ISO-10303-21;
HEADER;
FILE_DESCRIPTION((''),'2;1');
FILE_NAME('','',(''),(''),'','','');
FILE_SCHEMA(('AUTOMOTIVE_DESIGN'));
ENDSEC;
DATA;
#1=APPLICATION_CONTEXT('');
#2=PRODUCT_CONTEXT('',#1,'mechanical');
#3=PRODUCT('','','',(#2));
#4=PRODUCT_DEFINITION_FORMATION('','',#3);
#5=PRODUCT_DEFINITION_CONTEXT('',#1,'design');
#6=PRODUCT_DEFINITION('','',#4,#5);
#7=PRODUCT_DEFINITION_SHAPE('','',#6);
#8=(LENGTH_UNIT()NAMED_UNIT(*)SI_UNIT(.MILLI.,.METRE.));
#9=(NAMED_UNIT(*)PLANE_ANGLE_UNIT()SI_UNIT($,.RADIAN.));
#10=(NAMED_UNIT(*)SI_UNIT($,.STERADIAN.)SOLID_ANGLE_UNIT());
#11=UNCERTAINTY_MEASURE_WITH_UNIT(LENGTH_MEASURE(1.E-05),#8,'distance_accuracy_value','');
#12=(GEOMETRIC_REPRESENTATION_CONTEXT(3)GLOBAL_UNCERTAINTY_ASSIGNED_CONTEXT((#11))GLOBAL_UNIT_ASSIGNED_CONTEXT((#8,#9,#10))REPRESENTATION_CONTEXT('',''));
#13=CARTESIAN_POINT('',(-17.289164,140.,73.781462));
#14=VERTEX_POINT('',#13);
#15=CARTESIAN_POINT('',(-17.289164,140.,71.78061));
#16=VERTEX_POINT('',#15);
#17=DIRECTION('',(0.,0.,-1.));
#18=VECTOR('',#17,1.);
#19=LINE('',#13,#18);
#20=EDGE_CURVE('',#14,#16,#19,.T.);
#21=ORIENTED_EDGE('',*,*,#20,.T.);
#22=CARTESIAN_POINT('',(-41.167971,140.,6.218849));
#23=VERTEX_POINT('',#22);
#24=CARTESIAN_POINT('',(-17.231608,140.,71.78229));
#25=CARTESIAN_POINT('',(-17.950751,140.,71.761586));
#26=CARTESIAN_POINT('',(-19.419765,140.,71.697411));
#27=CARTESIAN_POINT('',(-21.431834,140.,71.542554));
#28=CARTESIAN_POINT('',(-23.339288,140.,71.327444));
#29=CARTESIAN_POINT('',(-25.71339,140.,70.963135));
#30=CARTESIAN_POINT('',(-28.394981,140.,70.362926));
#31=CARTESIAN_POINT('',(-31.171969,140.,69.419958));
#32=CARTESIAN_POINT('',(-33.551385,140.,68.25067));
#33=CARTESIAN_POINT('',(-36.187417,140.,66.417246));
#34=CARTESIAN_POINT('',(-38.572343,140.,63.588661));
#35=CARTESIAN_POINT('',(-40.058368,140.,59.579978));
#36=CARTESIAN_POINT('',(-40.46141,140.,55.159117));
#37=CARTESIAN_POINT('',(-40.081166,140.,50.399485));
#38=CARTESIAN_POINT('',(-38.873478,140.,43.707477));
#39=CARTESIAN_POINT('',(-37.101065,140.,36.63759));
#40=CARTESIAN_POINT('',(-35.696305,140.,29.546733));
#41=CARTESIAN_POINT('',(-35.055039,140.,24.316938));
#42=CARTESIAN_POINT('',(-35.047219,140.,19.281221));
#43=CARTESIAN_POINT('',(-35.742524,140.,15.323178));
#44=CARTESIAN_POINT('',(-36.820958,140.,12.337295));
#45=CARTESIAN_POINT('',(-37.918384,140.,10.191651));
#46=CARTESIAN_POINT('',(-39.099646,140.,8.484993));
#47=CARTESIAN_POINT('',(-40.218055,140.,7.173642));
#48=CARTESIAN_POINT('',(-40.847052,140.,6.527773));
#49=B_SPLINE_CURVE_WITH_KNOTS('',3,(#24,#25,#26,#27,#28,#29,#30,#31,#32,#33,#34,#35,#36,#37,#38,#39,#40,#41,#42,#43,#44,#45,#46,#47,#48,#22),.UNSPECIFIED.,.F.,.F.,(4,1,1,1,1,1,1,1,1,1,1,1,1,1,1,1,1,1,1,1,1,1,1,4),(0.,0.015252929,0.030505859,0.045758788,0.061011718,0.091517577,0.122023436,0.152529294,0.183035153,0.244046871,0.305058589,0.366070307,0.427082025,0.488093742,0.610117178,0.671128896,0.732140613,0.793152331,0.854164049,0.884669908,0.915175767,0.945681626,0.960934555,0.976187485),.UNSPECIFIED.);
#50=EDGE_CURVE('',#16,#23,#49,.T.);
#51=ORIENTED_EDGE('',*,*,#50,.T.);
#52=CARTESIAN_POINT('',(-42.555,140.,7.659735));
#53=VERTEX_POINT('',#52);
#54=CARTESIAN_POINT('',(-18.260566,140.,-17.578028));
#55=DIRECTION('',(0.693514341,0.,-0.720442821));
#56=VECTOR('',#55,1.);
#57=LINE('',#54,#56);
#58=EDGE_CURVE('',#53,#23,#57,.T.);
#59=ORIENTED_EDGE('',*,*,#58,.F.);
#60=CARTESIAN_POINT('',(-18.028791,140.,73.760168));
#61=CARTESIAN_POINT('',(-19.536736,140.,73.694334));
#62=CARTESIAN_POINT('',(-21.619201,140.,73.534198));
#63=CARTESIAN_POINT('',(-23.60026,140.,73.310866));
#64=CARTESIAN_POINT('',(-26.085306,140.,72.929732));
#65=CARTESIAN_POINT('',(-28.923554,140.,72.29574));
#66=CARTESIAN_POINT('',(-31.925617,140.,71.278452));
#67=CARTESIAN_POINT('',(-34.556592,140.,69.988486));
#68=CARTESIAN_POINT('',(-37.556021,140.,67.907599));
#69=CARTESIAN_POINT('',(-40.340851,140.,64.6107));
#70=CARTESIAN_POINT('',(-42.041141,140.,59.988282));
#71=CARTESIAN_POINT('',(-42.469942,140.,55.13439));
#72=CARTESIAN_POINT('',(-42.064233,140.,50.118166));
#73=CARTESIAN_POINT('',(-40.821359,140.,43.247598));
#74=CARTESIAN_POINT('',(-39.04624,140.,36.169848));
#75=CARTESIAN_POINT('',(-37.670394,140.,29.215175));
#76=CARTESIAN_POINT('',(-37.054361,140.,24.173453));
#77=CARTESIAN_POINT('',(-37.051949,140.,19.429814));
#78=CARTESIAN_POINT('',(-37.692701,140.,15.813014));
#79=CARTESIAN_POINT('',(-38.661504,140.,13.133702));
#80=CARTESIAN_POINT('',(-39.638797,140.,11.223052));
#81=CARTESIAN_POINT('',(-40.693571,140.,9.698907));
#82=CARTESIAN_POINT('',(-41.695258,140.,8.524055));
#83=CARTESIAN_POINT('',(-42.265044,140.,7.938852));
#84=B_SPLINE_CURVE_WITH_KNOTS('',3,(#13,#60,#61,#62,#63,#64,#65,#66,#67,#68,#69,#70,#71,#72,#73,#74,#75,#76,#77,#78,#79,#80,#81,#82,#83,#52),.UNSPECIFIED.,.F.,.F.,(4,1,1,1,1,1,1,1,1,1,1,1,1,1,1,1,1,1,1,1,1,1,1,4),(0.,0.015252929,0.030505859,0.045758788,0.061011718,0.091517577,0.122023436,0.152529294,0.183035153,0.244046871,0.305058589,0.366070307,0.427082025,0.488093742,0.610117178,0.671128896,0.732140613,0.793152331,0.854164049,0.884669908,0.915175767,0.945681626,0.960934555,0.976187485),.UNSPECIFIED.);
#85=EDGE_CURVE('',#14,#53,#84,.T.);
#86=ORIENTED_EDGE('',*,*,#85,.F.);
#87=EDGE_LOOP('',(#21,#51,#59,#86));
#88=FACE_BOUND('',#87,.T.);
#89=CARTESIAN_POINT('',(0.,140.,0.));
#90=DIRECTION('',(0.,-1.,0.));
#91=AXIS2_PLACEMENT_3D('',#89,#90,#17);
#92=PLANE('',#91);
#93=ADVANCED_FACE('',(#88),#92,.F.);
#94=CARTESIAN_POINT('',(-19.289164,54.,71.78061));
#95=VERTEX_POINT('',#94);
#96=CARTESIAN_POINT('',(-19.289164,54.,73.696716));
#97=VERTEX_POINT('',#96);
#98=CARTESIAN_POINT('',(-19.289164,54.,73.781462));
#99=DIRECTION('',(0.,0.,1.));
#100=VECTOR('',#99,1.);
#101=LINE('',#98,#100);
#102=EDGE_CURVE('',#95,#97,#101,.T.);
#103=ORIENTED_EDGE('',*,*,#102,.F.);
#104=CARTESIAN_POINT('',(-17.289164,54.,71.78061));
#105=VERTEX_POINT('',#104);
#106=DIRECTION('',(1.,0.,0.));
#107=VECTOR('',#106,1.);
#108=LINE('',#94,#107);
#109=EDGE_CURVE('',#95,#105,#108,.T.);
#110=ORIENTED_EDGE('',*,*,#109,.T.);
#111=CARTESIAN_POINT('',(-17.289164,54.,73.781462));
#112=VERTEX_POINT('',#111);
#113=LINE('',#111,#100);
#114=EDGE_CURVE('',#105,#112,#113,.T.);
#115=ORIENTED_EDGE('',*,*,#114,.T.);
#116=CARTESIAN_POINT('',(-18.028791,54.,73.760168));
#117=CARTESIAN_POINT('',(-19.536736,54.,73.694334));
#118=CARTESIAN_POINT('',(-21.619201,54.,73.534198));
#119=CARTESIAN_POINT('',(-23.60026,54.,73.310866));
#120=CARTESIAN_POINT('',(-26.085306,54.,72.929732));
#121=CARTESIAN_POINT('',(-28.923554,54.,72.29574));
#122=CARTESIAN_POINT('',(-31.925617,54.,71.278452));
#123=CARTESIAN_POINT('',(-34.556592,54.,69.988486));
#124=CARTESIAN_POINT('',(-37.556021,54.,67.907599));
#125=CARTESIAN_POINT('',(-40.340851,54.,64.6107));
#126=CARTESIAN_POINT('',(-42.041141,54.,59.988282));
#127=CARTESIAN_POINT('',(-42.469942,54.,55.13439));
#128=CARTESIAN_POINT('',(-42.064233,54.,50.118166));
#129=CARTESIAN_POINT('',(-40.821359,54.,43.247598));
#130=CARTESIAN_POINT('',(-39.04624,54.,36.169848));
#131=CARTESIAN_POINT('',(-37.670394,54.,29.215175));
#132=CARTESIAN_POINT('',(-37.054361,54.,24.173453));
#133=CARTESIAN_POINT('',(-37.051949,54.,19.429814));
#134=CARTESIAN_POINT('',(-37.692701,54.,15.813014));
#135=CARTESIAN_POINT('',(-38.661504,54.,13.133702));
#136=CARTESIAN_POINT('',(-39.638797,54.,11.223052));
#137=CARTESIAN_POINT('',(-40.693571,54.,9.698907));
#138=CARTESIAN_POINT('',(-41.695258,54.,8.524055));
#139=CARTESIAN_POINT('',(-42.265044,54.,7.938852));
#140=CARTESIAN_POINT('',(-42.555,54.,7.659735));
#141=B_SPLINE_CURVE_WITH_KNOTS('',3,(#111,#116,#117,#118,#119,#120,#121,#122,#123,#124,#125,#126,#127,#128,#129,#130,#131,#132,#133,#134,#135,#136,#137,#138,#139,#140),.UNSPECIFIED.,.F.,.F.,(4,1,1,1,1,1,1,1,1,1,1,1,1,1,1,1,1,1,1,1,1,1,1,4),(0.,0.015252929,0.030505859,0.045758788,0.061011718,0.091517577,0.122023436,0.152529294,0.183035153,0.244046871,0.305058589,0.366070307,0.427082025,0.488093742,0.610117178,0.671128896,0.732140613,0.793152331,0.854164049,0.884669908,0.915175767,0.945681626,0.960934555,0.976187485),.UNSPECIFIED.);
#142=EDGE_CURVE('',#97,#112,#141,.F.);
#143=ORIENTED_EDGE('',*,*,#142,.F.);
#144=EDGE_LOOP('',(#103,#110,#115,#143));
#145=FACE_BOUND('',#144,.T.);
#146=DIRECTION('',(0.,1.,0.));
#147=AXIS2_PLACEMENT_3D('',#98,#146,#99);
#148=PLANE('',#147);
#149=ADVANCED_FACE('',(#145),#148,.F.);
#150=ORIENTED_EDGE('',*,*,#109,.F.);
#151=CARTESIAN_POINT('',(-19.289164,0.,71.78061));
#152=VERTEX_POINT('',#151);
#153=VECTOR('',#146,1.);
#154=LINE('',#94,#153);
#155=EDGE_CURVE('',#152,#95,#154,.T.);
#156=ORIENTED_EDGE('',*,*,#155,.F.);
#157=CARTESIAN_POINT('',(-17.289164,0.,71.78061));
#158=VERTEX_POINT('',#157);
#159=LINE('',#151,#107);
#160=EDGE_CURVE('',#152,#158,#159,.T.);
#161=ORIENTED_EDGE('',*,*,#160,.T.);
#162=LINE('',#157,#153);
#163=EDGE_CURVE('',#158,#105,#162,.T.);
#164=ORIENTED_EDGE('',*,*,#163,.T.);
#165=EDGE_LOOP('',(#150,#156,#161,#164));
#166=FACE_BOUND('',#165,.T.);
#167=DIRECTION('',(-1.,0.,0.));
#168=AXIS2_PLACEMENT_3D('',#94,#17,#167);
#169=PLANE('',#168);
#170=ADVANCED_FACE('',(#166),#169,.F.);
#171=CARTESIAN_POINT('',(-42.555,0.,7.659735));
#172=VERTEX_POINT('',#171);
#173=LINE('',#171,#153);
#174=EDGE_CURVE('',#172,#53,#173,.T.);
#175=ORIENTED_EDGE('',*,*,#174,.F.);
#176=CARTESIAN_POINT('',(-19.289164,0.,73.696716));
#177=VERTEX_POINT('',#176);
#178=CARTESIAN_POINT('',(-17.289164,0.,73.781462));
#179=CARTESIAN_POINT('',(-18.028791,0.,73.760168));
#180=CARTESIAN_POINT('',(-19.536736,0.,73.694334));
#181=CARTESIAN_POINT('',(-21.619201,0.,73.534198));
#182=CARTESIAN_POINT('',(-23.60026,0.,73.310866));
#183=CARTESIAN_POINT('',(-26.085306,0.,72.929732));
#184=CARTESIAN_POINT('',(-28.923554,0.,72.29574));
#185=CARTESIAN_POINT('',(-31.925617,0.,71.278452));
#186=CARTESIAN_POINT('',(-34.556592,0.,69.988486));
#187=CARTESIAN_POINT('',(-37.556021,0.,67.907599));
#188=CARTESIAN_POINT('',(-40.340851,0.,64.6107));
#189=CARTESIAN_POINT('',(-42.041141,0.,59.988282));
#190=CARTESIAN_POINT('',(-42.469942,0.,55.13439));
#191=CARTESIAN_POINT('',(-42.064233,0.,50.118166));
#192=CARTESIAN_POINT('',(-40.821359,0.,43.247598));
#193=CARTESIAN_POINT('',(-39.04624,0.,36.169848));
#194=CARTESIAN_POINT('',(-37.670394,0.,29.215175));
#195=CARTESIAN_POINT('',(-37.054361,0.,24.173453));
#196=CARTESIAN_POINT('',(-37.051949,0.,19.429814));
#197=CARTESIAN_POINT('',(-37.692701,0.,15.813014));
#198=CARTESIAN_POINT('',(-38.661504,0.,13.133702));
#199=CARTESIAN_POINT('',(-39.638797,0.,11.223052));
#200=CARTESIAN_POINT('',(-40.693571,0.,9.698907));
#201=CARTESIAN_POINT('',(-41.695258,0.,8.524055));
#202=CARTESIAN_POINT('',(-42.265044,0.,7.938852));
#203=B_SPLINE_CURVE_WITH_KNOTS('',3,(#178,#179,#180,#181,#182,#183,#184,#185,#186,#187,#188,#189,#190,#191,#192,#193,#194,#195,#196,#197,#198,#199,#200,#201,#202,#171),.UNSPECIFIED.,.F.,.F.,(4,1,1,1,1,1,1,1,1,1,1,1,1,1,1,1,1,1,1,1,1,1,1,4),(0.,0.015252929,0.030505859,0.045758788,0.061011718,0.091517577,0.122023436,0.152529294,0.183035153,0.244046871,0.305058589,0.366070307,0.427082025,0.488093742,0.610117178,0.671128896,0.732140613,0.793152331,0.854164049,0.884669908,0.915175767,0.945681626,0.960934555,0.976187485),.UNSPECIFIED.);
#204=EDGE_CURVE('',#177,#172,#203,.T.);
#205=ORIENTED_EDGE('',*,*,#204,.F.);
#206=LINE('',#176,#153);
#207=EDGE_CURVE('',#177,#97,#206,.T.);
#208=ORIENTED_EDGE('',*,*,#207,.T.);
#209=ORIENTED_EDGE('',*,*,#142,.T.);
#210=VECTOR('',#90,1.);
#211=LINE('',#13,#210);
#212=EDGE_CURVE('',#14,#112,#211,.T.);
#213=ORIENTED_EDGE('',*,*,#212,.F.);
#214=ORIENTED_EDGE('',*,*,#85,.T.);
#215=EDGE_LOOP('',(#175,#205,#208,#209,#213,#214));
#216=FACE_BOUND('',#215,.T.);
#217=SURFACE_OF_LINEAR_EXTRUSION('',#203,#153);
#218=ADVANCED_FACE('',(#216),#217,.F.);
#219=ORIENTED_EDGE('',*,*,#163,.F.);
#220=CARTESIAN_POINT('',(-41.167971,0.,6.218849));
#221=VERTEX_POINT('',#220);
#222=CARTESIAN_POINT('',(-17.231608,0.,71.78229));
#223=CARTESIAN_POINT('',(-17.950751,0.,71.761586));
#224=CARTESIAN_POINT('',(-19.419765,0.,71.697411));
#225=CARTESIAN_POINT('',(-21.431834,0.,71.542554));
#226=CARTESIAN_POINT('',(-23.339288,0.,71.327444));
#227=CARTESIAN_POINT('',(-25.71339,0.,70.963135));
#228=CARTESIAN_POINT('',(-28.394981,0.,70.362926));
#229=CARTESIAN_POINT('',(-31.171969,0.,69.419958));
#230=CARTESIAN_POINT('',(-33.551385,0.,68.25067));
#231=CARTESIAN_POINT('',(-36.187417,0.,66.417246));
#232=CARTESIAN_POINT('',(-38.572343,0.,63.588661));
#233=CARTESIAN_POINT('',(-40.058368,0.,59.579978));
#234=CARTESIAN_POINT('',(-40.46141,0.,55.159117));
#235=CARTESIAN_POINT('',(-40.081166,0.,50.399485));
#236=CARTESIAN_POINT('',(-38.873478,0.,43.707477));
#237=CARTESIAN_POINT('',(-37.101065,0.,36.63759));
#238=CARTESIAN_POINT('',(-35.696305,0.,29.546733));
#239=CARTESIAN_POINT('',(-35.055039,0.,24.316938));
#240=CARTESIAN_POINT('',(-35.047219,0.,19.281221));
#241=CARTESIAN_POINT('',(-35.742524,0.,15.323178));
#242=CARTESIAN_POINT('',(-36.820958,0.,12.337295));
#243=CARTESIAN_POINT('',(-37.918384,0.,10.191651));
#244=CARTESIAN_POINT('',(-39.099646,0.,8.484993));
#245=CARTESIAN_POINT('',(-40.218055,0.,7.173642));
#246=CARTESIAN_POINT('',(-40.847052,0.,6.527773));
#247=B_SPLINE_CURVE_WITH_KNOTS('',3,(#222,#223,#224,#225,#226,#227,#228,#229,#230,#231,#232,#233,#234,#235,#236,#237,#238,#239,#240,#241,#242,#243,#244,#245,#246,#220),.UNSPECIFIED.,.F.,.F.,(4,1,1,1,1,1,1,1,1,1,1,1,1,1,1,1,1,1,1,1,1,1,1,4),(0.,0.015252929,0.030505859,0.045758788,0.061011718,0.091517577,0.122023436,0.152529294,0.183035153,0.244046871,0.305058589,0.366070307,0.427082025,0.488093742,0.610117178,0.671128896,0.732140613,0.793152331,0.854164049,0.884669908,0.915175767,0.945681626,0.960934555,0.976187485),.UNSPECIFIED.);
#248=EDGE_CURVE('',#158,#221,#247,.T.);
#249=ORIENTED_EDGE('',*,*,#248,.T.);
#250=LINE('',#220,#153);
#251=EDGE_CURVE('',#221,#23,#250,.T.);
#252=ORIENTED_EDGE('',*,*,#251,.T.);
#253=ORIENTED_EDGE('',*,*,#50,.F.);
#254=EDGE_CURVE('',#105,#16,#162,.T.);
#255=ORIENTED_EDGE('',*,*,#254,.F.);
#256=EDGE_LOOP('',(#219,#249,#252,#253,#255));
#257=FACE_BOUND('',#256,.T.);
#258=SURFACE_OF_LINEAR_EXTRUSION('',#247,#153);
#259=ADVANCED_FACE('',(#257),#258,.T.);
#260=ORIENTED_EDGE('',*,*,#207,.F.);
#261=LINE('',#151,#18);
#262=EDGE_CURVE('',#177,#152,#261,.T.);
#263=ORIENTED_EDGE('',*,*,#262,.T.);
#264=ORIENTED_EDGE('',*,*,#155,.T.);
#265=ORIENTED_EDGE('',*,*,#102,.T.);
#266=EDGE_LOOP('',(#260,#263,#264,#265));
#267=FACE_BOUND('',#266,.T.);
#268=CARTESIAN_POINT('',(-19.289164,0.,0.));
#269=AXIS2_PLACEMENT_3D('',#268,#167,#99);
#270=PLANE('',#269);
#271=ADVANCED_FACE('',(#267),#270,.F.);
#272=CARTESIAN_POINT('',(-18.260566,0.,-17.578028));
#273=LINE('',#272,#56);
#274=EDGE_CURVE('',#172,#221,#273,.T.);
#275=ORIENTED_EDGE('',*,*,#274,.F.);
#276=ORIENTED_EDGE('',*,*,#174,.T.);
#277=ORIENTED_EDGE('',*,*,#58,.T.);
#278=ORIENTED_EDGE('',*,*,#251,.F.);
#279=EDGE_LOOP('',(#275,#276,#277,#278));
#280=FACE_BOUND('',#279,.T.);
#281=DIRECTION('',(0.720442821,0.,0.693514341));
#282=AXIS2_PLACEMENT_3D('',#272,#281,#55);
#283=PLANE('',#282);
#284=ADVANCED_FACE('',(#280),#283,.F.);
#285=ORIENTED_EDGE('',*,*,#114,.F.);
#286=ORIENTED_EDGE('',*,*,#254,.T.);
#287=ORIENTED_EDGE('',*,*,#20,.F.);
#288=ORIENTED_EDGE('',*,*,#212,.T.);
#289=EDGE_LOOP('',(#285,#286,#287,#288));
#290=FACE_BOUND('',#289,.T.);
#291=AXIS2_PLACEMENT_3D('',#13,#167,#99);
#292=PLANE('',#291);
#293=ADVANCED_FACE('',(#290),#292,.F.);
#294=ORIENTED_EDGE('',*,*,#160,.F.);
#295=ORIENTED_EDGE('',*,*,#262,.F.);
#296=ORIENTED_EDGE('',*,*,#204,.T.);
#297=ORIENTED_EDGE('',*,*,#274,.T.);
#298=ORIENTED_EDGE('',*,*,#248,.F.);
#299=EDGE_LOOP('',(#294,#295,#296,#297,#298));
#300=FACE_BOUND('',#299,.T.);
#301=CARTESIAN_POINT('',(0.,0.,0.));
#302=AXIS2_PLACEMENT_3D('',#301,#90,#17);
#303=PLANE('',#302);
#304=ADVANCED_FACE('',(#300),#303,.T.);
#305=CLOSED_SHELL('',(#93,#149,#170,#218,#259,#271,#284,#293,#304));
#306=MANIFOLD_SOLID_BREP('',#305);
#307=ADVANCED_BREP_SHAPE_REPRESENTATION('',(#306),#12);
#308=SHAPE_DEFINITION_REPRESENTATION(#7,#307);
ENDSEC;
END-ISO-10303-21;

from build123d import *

# Parameters (mm, degrees)
CROQUIS1_W              = 30
CROQUIS1_H              = 80
SALIENTE_EXTRUIR1_DEPTH = 140
CORTAR_EXTRUIR1_DEPTH   = 141
CROQUIS3_W              = 2.000851936
CROQUIS3_H              = 54
CORTAR_EXTRUIR2_DEPTH   = 2


with BuildPart() as part:
    # Croquis1 → Saliente-Extruir1 (new body)
    with BuildSketch(Plane(origin=(0, 0, 0), x_dir=(1, 0, 0), z_dir=(0, 1, 0))):
        with Locations((-32.289164152, -33.781461754)):
            Rectangle(CROQUIS1_W, CROQUIS1_H)
    extrude(amount=SALIENTE_EXTRUIR1_DEPTH)

    # Croquis2 → Cortar-Extruir1 (cut, through all)
    with BuildSketch(Plane(origin=(0, 140, 0), x_dir=(1, 0, 0), z_dir=(0, 1, 0))):
        with BuildLine():
            Line((-47.289164152, -73.781461754), (-17.289164152, -73.781461754))
            add(Edge.make_bspline(
                [(-17.289164152, -73.781461754), (-18.028790745, -73.760167812), (-19.536736039, -73.694334347), (-21.619201378, -73.534198465), (-23.60026042, -73.310865821), (-26.085305832, -72.929731587), (-28.923554013, -72.295740091), (-31.925616811, -71.278451947), (-34.556591531, -69.988486168), (-37.556020515, -67.907598696), (-40.340850878, -64.61069966), (-42.041141092, -59.98828157), (-42.46994198, -55.1343895), (-42.064232899, -50.118165725), (-40.821359448, -43.247598034), (-39.046239792, -36.169847805), (-37.670394081, -29.215175232), (-37.054360796, -24.173452889), (-37.05194859, -19.429814206), (-37.692700661, -15.813013959), (-38.661503867, -13.133702332), (-39.638797415, -11.223052021), (-40.693571404, -9.698906715), (-41.695258282, -8.524055184), (-42.26504447, -7.938852239), (-42.554999929, -7.659734641)],
                knots=[0, 0, 0, 0, 0.015252929, 0.030505859, 0.045758788, 0.061011718, 0.091517577, 0.122023436, 0.152529294, 0.183035153, 0.244046871, 0.305058589, 0.366070307, 0.427082025, 0.488093742, 0.610117178, 0.671128896, 0.732140613, 0.793152331, 0.854164049, 0.884669908, 0.915175767, 0.945681626, 0.960934555, 0.976187485, 0.976187485, 0.976187485, 0.976187485], degree=3))
            Line((-42.554999929, -7.659734641), (-41.167971247, -6.218848999))
            add(Edge.make_bspline(
                [(-17.289164149, -71.780609724), (-17.989897624, -71.759867801), (-19.437647711, -71.696034282), (-21.431834226, -71.542554366), (-23.339287673, -71.327444133), (-25.713389965, -70.963135168), (-28.394980997, -70.36292597), (-31.171968634, -69.419957516), (-33.551385324, -68.250670285), (-36.187417425, -66.417246395), (-38.572343047, -63.588661041), (-40.058368199, -59.579977963), (-40.461410262, -55.159116811), (-40.081165503, -50.399485353), (-38.873478235, -43.707477121), (-37.101064693, -36.637590027), (-35.696305064, -29.546732583), (-35.055039174, -24.316937629), (-35.047218805, -19.281220812), (-35.742523876, -15.323177806), (-36.820958485, -12.337295039), (-37.918383572, -10.191651316), (-39.099645947, -8.484992992), (-40.218055479, -7.173641955), (-40.847051558, -6.527773455), (-41.167971247, -6.218848999)],
                knots=[0.000406696, 0.000406696, 0.000406696, 0.000406696, 0.015252929, 0.030505859, 0.045758788, 0.061011718, 0.091517577, 0.122023436, 0.152529294, 0.183035153, 0.244046871, 0.305058589, 0.366070307, 0.427082025, 0.488093742, 0.610117178, 0.671128896, 0.732140613, 0.793152331, 0.854164049, 0.884669908, 0.915175767, 0.945681626, 0.960934555, 0.976187485, 0.976187485, 0.976187485, 0.976187485], degree=3))
            Line((-17.289164152, -71.780609818), (-17.289164152, 6.218538246))
            Line((-17.289164152, 6.218538246), (-47.289164152, 6.218538246))
            Line((-47.289164152, 6.218538246), (-47.289164152, -73.781461754))
        make_face()
    extrude(amount=-CORTAR_EXTRUIR1_DEPTH, mode=Mode.SUBTRACT)

    # Croquis3 → Cortar-Extruir2 (cut)
    with BuildSketch(Plane(origin=(-17.289164152, 0, 0), x_dir=(0, 0, -1), z_dir=(1, 0, 0))):
        with Locations((-72.781035786, 27)):
            Rectangle(CROQUIS3_W, CROQUIS3_H)
    extrude(amount=-CORTAR_EXTRUIR2_DEPTH, mode=Mode.SUBTRACT)


solid = part.part
